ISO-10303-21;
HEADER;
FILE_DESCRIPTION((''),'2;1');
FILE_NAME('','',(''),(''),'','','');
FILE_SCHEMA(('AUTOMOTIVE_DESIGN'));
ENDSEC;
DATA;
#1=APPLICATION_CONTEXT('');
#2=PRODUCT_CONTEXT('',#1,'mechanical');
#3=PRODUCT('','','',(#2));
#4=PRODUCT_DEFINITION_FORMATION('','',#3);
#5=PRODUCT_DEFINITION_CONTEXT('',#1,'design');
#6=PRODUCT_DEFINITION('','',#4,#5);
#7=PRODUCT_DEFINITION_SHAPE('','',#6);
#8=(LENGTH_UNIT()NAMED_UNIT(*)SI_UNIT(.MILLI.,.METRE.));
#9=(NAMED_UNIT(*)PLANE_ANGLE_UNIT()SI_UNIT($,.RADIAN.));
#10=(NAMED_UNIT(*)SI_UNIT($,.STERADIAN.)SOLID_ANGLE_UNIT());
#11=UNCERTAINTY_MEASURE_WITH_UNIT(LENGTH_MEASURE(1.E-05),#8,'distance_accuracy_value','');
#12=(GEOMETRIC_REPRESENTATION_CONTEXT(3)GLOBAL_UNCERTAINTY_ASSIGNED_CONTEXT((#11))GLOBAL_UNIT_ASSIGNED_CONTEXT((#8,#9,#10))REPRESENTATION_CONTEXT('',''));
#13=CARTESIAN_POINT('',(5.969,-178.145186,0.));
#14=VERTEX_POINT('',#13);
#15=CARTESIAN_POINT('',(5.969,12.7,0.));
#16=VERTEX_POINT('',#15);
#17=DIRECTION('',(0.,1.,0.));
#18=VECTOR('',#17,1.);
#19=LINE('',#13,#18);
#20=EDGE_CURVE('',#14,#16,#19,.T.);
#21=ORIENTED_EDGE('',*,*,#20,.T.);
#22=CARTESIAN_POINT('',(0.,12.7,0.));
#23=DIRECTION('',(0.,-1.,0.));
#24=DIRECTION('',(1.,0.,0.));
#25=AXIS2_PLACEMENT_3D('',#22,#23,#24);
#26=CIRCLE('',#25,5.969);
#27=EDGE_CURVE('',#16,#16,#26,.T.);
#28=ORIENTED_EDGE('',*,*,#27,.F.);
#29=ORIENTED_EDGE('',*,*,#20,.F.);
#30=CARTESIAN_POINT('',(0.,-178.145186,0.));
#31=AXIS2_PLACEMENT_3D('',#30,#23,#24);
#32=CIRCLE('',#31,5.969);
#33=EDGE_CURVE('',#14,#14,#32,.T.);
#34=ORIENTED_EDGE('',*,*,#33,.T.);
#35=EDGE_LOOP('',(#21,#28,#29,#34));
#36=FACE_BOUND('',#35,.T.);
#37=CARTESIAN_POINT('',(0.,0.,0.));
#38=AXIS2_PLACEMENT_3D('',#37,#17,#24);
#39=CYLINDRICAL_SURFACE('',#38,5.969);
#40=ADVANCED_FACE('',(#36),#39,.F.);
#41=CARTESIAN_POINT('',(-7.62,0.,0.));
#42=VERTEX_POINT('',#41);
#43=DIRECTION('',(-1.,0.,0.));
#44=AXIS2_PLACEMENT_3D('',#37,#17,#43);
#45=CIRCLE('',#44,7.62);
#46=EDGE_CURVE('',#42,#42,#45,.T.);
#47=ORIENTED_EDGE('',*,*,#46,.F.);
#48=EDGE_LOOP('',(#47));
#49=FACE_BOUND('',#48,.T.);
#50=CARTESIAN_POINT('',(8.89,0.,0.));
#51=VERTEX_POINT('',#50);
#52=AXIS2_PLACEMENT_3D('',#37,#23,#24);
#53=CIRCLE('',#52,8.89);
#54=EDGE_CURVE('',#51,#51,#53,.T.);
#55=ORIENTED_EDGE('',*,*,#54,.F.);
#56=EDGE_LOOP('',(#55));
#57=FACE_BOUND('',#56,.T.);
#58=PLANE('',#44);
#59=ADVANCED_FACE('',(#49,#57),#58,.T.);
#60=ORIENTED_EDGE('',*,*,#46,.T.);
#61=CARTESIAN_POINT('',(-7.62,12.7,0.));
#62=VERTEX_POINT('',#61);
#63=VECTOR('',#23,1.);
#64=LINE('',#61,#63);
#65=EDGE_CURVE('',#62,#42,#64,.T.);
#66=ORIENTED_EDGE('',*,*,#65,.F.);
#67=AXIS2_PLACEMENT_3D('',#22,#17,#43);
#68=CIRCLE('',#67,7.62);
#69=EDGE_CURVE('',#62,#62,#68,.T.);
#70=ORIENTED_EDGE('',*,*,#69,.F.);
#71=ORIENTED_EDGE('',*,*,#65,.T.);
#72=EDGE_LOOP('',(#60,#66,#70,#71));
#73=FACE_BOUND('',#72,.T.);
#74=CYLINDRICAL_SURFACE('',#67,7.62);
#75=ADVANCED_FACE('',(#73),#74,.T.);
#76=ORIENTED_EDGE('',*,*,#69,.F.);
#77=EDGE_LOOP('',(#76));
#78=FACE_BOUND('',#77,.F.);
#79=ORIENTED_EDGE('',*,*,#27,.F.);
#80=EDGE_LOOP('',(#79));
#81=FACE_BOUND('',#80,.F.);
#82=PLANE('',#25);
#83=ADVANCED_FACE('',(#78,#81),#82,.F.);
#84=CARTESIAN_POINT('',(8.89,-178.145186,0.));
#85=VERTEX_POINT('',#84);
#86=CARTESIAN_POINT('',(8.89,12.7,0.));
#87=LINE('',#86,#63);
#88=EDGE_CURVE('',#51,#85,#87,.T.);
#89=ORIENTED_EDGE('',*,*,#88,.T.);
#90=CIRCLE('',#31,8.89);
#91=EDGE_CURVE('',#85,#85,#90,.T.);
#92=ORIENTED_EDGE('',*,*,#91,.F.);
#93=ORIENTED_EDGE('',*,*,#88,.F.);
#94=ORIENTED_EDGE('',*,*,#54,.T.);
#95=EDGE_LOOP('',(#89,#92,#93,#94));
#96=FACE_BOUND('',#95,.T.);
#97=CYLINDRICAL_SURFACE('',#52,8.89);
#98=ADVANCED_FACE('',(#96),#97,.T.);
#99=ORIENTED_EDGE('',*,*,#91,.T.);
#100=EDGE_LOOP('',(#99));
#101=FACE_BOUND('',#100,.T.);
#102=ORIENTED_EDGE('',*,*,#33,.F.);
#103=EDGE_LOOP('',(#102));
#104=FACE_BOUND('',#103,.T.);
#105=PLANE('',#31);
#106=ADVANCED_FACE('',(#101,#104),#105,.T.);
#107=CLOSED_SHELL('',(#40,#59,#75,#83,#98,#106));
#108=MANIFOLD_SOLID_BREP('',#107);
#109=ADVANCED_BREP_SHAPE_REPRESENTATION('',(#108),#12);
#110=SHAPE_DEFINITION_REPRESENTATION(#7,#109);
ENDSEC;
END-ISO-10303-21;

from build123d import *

# Parameters (mm, degrees)
F0_R          = 8.89
F0_R_2        = 5.969
F1_DEPTH      = 178.145186
F1_DEPTH_BACK = 12.7
F2_R          = 8.89
F2_R_2        = 7.62
F3_DEPTH      = 12.7


with BuildPart() as f1:
    # F0 (on Front) → F1 (new body, two sides)
    with BuildSketch(Plane.XZ) as f1_sk:
        Circle(F0_R)
        Circle(F0_R_2, mode=Mode.SUBTRACT)
    extrude(amount=F1_DEPTH)
    extrude(f1_sk.sketch, amount=-F1_DEPTH_BACK)

    # F2 (on face) → F3 (cut)
    with BuildSketch(Plane(origin=(0, 12.7, 0), x_dir=(-1, 0, 0), z_dir=(0, 1, 0))):
        Circle(F2_R)
        Circle(F2_R_2, mode=Mode.SUBTRACT)
    extrude(amount=-F3_DEPTH, mode=Mode.SUBTRACT)


solid = f1.part
